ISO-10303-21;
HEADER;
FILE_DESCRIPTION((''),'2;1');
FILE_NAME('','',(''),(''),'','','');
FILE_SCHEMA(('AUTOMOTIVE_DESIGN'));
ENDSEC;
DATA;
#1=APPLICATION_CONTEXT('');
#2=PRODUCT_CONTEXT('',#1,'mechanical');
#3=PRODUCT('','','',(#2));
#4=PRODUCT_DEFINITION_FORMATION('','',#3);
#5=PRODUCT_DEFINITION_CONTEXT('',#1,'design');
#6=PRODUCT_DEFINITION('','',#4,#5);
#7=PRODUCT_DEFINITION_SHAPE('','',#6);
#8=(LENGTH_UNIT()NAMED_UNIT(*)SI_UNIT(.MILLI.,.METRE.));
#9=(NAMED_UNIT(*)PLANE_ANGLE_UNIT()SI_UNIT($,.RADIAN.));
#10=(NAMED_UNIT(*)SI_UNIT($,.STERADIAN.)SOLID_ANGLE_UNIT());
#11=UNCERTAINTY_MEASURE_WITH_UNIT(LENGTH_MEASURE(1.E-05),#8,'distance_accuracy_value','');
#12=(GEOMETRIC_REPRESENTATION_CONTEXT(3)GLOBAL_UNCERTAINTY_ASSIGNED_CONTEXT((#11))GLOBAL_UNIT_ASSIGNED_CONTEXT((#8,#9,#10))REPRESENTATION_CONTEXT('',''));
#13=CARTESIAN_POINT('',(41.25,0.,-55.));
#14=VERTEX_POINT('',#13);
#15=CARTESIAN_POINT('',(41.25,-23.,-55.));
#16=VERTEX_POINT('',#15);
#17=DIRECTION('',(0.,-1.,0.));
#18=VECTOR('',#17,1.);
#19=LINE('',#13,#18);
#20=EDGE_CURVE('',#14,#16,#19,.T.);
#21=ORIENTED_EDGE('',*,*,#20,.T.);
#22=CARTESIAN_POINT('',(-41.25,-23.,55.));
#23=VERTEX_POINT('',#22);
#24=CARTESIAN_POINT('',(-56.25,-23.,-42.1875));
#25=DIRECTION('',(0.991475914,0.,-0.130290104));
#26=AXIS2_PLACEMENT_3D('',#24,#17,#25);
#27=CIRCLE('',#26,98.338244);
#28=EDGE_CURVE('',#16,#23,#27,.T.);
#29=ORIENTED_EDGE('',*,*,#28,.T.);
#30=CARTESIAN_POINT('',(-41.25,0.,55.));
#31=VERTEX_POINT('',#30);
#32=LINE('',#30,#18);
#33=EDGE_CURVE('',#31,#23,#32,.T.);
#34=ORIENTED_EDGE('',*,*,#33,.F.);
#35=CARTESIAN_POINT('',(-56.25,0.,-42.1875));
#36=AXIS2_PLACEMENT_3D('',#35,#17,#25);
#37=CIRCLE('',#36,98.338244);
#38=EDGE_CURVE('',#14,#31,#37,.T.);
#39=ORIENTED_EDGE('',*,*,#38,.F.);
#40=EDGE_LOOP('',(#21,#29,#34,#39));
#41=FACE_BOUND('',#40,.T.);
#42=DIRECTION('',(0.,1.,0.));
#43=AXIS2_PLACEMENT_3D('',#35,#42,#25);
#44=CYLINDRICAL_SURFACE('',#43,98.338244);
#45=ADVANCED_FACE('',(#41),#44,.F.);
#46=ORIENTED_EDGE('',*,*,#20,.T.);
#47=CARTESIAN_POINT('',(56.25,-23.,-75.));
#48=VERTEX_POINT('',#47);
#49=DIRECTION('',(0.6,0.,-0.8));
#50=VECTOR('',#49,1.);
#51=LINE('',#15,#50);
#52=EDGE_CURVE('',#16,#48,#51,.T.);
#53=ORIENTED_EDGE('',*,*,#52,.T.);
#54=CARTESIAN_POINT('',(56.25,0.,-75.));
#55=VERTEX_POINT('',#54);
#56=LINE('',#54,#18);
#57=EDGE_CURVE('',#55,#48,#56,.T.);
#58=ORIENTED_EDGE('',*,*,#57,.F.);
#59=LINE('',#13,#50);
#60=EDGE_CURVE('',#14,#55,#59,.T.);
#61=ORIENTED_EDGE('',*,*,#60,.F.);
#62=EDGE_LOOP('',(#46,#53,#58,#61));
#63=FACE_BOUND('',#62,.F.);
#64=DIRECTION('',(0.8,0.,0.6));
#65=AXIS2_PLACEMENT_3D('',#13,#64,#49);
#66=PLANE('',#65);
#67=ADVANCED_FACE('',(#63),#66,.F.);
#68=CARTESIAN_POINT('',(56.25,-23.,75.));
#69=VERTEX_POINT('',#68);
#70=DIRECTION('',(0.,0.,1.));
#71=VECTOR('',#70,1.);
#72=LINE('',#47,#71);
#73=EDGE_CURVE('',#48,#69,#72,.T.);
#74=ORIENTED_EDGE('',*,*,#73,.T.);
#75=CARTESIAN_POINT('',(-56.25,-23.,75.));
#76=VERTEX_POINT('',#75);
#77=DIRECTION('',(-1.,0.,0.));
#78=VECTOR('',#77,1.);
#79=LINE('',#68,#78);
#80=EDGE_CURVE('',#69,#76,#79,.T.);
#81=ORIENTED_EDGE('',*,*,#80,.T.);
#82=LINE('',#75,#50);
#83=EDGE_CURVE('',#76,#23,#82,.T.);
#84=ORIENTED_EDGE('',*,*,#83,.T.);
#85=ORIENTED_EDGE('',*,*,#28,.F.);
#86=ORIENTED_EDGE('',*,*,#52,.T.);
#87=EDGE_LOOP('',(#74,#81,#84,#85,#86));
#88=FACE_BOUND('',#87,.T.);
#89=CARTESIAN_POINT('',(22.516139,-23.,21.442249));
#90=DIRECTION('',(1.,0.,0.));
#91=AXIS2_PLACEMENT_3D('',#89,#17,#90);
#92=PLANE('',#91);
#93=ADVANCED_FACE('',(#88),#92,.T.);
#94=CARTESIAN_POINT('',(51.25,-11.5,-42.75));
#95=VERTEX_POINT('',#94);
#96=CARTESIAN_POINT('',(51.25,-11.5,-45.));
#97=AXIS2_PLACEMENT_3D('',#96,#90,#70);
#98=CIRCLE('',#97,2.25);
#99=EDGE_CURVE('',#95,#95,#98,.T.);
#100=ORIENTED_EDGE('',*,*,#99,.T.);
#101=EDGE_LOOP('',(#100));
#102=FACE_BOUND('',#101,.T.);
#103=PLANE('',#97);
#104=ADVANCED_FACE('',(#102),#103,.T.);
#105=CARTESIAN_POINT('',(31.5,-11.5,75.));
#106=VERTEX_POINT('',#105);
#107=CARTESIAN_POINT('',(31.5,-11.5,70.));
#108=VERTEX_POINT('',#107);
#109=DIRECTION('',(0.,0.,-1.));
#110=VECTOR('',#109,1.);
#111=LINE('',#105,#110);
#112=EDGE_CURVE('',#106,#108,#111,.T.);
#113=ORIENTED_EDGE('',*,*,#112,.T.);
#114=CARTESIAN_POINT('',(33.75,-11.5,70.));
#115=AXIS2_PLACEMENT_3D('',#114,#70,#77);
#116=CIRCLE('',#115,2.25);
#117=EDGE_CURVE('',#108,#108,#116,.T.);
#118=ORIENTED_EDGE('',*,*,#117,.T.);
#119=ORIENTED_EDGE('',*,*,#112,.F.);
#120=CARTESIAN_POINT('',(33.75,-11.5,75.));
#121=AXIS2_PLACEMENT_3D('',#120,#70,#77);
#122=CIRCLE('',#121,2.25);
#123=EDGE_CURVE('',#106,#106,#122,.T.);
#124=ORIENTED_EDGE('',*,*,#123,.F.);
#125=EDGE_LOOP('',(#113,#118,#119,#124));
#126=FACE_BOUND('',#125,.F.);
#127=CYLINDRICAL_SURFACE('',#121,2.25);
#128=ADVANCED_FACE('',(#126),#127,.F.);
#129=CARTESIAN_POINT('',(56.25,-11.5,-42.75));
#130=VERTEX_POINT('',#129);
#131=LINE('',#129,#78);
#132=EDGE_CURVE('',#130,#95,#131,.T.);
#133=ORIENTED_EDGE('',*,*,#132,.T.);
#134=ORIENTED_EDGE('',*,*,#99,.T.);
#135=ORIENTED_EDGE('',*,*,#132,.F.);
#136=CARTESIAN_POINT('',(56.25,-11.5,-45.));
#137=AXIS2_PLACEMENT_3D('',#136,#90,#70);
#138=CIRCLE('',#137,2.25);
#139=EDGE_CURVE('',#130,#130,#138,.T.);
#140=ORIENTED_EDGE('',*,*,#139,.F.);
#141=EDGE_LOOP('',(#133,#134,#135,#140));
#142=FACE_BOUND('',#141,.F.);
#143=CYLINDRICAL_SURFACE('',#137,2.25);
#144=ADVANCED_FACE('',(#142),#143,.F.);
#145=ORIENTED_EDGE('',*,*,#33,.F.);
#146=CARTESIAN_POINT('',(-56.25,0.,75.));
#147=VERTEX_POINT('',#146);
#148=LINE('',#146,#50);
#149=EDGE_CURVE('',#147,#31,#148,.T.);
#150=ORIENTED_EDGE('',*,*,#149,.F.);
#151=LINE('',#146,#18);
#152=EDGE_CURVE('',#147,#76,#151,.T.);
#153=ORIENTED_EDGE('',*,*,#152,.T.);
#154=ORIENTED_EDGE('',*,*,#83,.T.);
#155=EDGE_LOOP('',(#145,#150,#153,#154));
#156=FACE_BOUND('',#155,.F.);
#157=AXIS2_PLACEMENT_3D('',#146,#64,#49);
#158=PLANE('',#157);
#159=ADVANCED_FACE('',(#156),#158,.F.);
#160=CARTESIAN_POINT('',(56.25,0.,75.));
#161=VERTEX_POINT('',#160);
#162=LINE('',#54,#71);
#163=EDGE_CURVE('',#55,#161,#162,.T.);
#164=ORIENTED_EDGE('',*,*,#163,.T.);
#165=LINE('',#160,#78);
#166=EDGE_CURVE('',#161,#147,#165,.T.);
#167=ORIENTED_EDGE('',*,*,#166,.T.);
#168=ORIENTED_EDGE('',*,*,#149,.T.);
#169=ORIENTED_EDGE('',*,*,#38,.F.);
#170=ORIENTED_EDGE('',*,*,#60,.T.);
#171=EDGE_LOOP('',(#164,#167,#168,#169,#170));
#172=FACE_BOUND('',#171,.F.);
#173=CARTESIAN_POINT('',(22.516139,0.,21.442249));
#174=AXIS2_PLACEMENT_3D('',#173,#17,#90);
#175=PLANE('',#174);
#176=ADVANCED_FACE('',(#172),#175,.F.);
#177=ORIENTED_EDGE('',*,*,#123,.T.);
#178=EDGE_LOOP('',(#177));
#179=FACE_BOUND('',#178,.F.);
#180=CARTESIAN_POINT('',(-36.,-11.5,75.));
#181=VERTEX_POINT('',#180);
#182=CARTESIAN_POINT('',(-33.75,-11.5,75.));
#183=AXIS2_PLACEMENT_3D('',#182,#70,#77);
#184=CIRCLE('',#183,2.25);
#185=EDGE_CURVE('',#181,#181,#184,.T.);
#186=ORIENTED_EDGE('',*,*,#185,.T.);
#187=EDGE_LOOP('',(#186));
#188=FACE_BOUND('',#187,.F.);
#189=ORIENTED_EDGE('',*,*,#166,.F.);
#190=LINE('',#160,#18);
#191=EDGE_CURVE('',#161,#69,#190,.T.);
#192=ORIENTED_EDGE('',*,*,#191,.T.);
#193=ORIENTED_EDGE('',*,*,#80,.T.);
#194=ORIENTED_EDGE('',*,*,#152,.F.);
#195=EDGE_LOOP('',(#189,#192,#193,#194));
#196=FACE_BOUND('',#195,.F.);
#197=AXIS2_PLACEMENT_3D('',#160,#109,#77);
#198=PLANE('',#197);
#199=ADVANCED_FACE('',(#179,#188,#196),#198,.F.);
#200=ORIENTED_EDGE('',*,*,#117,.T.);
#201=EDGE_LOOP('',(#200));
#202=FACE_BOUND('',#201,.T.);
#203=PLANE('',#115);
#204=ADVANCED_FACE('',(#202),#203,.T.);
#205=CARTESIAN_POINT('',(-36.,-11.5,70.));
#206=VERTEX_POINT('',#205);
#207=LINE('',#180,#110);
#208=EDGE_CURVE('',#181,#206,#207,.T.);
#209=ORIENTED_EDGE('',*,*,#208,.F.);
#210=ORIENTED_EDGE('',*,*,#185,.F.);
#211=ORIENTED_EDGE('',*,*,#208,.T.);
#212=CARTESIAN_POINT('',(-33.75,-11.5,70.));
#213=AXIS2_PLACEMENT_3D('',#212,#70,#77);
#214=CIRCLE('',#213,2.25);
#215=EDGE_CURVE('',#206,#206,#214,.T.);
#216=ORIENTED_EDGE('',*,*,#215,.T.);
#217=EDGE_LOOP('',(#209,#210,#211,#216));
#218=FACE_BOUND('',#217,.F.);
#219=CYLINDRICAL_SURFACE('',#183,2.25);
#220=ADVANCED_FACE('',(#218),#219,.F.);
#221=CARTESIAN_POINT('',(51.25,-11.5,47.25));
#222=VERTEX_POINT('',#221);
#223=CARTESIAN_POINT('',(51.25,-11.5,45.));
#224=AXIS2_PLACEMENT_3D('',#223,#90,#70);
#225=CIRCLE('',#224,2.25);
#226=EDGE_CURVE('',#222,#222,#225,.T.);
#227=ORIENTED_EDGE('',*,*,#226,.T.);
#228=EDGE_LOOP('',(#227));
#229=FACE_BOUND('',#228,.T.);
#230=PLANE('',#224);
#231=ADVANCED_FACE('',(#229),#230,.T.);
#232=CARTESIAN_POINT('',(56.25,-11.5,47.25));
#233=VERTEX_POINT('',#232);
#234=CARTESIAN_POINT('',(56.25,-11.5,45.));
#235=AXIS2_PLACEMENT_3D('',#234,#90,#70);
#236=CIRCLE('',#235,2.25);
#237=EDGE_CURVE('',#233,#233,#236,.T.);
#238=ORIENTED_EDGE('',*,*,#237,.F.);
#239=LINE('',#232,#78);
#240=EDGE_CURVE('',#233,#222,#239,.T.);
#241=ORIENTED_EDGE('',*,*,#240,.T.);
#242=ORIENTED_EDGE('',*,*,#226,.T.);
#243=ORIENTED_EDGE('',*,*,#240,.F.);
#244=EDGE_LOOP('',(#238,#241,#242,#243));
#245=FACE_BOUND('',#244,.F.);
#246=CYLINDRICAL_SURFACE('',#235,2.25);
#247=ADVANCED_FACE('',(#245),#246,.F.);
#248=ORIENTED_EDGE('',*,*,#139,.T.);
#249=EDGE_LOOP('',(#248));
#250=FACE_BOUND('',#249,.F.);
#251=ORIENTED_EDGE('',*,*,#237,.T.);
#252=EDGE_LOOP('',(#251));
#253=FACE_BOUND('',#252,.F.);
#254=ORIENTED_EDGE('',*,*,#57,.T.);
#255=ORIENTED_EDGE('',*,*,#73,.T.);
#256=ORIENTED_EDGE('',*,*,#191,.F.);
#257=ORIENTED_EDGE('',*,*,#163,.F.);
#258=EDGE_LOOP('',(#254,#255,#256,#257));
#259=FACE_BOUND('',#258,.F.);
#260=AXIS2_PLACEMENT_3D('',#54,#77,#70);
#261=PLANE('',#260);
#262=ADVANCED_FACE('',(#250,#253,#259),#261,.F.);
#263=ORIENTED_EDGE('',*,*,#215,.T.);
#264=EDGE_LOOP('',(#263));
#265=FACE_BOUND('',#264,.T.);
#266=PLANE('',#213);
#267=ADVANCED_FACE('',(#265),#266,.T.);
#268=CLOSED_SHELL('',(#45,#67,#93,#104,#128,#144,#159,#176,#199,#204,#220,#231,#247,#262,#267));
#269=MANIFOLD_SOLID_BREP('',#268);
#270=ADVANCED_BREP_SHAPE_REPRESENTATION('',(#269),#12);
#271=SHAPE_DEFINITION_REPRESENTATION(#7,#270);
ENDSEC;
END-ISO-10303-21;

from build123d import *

# Parameters (mm, degrees)
PAD001_DEPTH    = 23
SKETCH003_R     = 2.25
POCKET_DEPTH    = 5
SKETCH004_R     = 2.25
POCKET001_DEPTH = 5


with BuildPart() as part:
    # Sketch001 → Pad001 (new body)
    with BuildSketch(Plane.XZ):
        with BuildLine():
            Line((56.25, -75), (56.25, 75))
            Line((56.25, 75), (-56.25, 75))
            Line((-56.25, 75), (-41.25, 55))
            ThreePointArc((41.25, -55), (22.420595, 16.815446), (-41.25, 55))
            Line((41.25, -55), (56.25, -75))
        make_face()
    extrude(amount=PAD001_DEPTH)

    # Sketch003 (on Face2 of Pad001) → Pocket (cut)
    with BuildSketch(Plane(origin=(56.25, 0, 0), x_dir=(0, 0, 1), z_dir=(1, 0, 0))):
        with Locations((-45, 11.5)):
            Circle(SKETCH003_R)
        with Locations((45, 11.5)):
            Circle(SKETCH003_R)
    extrude(amount=-POCKET_DEPTH, mode=Mode.SUBTRACT)

    # Sketch004 (on Face7 of Pocket) → Pocket001 (cut)
    with BuildSketch(Plane(origin=(0, 0, 75), x_dir=(-1, 0, 0), z_dir=(0, 0, 1))):
        with Locations((-33.75, 11.5)):
            Circle(SKETCH004_R)
        with Locations((33.75, 11.5)):
            Circle(SKETCH004_R)
    extrude(amount=-POCKET001_DEPTH, mode=Mode.SUBTRACT)


solid = part.part
